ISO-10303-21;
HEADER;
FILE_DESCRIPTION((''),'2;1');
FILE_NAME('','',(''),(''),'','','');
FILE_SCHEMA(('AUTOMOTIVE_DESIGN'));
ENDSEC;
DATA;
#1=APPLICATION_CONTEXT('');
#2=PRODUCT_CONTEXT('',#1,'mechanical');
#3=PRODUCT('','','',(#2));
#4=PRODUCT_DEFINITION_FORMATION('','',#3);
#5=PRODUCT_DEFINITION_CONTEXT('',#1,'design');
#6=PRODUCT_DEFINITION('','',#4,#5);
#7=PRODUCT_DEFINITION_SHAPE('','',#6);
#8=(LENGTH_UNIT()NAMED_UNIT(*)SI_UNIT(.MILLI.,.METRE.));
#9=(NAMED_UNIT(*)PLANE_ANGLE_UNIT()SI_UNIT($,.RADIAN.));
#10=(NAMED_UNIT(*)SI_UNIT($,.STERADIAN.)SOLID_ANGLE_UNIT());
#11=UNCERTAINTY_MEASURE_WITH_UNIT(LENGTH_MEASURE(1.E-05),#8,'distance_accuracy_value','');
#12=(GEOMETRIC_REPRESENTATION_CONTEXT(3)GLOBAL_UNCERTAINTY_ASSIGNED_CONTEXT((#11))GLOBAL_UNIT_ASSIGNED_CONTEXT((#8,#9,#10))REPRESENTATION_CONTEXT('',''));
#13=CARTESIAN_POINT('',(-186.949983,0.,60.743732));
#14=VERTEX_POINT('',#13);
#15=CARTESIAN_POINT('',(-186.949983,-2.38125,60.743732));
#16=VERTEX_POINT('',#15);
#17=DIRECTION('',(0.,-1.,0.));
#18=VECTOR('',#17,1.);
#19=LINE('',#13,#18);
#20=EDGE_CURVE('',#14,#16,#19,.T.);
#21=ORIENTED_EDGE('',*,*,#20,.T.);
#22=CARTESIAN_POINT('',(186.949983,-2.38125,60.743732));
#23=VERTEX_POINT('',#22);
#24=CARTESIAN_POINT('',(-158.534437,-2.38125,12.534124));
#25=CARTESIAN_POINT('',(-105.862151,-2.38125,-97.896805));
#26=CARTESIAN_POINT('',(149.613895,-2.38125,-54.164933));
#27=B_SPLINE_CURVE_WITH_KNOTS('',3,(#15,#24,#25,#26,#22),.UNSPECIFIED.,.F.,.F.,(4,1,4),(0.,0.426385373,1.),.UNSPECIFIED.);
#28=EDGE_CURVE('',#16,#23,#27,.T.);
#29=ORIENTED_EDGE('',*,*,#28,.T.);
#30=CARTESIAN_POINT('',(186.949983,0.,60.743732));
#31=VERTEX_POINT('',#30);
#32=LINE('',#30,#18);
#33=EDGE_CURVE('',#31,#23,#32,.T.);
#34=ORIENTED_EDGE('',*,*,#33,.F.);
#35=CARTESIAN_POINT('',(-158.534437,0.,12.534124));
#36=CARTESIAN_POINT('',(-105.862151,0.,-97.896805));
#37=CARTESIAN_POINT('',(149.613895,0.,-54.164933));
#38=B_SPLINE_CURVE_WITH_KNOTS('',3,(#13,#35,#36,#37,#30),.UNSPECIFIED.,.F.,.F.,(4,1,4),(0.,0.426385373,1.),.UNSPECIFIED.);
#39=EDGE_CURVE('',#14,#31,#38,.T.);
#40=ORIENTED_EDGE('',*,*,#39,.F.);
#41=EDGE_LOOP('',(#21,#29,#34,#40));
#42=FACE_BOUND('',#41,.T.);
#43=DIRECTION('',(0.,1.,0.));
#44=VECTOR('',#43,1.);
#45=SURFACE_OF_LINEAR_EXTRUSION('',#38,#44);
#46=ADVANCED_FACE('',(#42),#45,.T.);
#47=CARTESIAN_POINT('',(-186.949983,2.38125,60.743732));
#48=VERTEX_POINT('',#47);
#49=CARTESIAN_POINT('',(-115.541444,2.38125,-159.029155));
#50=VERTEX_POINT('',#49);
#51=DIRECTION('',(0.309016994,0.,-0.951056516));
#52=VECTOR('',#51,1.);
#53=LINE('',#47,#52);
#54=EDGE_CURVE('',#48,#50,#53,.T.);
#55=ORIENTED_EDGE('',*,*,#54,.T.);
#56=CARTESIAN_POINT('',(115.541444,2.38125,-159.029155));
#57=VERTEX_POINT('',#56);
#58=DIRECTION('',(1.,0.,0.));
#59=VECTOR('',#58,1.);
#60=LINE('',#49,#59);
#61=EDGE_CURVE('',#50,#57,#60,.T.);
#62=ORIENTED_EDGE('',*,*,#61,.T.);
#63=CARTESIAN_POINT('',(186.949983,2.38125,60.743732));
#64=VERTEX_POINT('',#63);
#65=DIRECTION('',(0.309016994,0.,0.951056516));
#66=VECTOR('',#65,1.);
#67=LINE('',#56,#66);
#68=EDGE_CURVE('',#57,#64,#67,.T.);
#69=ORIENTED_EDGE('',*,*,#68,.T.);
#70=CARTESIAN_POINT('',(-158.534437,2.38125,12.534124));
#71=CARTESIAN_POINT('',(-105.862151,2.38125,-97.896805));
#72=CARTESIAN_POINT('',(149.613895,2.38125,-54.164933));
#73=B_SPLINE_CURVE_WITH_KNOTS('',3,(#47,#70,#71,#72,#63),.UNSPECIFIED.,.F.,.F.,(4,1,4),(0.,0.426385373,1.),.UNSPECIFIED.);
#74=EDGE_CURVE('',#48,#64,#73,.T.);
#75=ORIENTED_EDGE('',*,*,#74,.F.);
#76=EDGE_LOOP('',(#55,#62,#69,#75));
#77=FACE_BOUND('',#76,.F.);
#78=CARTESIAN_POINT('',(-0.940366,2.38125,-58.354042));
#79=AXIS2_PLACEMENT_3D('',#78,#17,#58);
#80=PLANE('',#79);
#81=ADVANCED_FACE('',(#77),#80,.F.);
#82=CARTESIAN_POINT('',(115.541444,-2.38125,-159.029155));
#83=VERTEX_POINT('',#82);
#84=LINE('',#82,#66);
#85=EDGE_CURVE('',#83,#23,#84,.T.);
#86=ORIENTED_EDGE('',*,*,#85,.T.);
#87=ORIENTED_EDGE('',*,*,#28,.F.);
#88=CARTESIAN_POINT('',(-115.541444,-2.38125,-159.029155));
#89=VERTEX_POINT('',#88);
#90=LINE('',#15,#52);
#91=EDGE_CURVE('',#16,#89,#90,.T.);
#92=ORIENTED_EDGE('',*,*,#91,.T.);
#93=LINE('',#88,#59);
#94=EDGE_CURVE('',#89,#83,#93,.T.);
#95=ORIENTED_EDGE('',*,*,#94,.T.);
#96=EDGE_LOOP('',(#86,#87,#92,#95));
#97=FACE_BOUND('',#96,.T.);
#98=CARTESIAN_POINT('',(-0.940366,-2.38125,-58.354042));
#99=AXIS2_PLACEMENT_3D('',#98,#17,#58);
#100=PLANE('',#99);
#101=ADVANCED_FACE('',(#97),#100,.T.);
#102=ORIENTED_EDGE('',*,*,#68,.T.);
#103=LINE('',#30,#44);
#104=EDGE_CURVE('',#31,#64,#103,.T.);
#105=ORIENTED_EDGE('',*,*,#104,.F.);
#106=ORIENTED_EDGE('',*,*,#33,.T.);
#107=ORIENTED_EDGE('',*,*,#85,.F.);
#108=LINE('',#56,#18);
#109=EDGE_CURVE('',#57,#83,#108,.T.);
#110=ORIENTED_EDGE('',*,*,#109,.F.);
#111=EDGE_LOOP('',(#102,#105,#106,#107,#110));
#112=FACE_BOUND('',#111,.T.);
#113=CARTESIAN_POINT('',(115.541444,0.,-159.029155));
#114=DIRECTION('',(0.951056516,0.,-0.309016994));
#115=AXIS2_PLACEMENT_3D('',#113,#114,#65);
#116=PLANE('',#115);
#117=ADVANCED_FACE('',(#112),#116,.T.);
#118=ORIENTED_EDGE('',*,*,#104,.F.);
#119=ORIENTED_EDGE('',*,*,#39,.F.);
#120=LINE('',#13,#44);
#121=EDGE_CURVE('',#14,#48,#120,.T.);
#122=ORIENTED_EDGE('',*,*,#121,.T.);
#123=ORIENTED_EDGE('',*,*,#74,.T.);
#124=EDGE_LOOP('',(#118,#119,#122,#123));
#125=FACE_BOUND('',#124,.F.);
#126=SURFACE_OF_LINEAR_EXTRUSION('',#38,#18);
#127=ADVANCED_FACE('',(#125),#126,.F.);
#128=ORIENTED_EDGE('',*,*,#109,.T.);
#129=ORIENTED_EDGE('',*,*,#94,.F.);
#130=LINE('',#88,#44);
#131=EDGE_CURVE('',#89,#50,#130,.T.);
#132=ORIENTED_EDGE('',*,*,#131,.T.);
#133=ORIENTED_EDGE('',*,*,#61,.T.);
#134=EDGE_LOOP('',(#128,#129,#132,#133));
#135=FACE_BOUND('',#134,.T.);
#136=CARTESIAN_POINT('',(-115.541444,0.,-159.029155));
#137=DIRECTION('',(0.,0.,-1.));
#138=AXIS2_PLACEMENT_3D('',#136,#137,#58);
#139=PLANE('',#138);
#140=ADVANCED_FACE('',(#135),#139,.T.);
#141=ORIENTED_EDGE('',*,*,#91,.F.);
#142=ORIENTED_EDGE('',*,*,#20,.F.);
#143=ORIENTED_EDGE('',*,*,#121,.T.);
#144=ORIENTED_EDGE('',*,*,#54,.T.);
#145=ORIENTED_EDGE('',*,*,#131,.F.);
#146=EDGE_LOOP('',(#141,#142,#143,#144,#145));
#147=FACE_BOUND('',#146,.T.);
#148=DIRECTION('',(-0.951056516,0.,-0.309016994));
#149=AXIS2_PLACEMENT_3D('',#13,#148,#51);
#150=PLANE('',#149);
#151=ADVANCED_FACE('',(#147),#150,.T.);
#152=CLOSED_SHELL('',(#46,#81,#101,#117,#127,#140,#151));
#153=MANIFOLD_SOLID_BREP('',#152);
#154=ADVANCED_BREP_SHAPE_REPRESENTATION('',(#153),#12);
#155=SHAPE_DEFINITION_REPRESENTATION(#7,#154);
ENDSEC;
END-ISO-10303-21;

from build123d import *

# Parameters (mm, degrees)
F1_DEPTH = 2.38125


with BuildPart() as f1:
    # F0 (on Front) → F1 (new body, symmetric)
    with BuildSketch(Plane.XZ):
        with BuildLine():
            Line((-115.5414439804, -159.0291545598), (115.5414439804, -159.0291545598))
            Line((115.5414439804, -159.0291545598), (186.9499834696, 60.7437318397))
            add(Edge.make_bspline(
                [(-186.9499834696, 60.7437318397), (-158.5344370585, 12.5341240839), (-105.8621510044, -97.8968048071), (149.6138950392, -54.164932865), (186.9499834696, 60.7437318397)],
                knots=[0, 0, 0, 0, 0.4263853727, 1, 1, 1, 1], degree=3))
            Line((-186.9499834696, 60.7437318397), (-115.5414439804, -159.0291545598))
        make_face()
    extrude(amount=F1_DEPTH, both=True)


solid = f1.part
